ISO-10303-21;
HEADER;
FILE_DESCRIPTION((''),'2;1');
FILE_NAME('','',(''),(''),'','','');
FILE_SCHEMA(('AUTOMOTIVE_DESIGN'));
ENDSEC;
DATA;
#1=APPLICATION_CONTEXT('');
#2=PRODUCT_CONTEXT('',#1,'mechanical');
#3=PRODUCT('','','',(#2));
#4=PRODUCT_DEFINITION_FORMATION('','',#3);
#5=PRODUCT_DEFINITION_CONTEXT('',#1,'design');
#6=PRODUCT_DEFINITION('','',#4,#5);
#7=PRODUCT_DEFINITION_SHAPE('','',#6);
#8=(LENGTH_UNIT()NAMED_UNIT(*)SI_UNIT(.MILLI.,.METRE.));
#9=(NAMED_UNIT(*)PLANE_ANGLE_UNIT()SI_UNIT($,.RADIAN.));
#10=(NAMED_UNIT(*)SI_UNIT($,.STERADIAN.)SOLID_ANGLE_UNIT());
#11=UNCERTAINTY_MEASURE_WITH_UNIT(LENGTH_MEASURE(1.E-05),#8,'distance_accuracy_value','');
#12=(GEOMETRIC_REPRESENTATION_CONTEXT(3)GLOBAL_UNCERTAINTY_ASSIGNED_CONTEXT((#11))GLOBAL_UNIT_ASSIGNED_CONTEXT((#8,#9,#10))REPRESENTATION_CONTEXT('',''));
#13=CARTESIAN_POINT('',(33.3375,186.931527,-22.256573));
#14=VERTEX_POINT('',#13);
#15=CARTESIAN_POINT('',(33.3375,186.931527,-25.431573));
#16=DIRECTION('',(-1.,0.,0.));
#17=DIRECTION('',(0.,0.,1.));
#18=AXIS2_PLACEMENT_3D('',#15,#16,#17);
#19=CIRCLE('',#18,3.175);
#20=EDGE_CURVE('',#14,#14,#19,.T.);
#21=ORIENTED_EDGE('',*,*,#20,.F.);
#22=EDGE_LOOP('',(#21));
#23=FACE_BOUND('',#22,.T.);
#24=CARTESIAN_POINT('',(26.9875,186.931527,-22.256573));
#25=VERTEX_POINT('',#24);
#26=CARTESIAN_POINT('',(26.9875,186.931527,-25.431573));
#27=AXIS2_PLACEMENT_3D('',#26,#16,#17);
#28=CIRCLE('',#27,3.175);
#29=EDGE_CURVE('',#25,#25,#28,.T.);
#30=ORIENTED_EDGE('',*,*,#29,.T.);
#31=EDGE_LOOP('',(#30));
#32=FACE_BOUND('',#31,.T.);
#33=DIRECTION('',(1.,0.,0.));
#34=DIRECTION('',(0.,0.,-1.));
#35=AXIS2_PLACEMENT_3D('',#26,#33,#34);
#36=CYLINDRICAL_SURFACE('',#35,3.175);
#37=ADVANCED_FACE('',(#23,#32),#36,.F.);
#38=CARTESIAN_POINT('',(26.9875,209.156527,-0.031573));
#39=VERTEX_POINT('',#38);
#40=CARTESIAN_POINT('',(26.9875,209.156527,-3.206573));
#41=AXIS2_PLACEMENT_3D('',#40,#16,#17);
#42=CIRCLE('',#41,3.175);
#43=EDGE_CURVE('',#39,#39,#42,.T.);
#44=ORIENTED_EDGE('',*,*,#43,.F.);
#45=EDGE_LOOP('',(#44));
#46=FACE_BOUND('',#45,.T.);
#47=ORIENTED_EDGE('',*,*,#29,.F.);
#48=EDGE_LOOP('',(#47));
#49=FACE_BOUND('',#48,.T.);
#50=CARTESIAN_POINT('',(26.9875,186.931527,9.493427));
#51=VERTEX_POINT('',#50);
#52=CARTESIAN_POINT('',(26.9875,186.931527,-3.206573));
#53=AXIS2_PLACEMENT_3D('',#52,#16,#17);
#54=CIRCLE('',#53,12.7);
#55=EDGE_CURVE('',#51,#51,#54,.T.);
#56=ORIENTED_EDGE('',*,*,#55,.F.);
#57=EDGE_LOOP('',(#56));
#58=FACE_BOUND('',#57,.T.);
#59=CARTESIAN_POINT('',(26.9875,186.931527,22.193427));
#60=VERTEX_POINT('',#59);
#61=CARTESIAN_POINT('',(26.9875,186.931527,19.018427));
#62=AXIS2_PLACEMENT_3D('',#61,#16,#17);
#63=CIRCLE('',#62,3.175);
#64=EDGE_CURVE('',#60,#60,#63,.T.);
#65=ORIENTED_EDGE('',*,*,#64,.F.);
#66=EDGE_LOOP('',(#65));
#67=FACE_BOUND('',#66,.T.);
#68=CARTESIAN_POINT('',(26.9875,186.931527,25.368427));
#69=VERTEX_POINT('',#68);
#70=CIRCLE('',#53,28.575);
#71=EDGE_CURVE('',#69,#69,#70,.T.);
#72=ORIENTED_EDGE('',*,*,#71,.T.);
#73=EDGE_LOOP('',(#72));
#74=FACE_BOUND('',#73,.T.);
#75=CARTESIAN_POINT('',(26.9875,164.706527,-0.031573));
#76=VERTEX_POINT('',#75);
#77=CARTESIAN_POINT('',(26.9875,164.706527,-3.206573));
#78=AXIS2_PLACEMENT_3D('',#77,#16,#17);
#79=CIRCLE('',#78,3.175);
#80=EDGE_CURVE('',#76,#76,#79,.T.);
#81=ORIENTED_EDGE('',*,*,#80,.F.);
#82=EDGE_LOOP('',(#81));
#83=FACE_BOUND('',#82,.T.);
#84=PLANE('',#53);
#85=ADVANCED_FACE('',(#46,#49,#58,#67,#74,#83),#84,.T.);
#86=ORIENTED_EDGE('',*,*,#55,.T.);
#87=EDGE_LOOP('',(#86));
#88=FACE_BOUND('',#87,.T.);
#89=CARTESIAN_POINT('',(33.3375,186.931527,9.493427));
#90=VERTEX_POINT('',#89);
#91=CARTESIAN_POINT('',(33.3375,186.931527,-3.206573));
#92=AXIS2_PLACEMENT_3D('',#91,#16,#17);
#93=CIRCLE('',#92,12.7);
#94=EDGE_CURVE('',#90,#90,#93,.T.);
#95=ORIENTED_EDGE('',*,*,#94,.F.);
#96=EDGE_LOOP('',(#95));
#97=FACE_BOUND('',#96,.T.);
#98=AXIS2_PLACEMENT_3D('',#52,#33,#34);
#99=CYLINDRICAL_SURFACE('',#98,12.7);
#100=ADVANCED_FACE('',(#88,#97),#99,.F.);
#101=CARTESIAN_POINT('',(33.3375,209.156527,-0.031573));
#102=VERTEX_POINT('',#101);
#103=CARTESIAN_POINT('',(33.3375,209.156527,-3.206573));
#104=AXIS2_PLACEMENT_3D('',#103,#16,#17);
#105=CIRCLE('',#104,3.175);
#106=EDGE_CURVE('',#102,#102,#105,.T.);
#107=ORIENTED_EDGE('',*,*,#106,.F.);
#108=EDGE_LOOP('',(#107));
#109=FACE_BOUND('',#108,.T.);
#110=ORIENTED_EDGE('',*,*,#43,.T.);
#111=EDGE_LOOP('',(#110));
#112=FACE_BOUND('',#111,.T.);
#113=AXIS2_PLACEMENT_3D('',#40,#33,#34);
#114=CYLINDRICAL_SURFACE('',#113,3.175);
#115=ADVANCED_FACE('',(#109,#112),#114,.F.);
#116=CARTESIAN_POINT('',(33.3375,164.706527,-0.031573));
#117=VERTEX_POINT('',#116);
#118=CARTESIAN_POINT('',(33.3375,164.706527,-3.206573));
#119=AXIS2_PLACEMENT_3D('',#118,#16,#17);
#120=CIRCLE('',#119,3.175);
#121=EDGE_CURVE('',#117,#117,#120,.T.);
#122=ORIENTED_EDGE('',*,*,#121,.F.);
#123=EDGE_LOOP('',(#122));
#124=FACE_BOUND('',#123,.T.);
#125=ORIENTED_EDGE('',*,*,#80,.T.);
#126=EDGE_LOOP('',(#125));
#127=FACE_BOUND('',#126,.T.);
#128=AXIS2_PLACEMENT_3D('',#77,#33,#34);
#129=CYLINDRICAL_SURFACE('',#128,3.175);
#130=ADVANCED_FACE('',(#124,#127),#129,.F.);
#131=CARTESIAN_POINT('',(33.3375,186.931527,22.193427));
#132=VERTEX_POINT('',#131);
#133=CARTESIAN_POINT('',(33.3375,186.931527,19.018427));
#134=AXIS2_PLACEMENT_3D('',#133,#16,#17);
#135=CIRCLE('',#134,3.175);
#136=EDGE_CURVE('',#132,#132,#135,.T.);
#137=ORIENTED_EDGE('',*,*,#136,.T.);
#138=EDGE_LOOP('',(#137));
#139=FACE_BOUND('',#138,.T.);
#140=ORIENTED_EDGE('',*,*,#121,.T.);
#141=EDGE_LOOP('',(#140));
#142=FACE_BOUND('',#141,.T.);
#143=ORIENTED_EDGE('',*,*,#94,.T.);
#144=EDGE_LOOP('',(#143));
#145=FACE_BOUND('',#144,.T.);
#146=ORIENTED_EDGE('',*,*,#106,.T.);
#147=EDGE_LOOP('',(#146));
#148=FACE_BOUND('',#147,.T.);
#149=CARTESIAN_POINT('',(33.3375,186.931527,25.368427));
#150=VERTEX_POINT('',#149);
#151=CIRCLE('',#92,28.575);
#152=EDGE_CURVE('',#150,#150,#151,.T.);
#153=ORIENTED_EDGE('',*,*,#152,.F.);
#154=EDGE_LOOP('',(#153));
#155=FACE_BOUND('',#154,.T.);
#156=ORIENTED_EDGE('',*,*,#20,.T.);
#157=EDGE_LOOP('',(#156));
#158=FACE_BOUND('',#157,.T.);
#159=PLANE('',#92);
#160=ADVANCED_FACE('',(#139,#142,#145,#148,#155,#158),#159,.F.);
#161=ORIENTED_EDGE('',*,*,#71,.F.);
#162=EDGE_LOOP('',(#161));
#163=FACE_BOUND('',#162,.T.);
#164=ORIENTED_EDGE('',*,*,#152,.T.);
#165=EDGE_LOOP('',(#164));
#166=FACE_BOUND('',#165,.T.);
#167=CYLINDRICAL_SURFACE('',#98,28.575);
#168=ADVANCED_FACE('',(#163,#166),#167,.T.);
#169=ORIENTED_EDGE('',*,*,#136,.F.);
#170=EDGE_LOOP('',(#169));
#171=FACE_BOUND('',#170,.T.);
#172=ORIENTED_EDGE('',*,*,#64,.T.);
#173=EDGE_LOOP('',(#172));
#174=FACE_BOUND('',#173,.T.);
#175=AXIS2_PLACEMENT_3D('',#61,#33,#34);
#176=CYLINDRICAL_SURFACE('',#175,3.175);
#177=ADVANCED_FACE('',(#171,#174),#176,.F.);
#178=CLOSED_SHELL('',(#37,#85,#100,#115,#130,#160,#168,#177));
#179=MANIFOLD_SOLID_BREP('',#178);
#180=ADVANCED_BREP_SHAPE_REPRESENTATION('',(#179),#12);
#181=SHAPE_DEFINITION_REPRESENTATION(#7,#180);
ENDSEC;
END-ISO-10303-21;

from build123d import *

# Parameters (mm, degrees)
SKETCH1_R           = 28.575
SKETCH1_R_2         = 12.7
SKETCH1_R_3         = 3.175
BOSS_EXTRUDE1_DEPTH = 6.35


with BuildPart() as part:
    # Sketch1 → Boss-Extrude1 (new body)
    with BuildSketch(Plane.ZY.offset(-33.3375)):
        with Locations((-3.206573009, 186.931527045)):
            Circle(SKETCH1_R)
        with Locations((-3.206573009, 186.931527045)):
            Circle(SKETCH1_R_2, mode=Mode.SUBTRACT)
        with Locations((19.018426991, 186.931527045)):
            Circle(SKETCH1_R_3, mode=Mode.SUBTRACT)
        with Locations((-3.206573009, 164.706527045)):
            Circle(SKETCH1_R_3, mode=Mode.SUBTRACT)
        with Locations((-25.431573009, 186.931527045)):
            Circle(SKETCH1_R_3, mode=Mode.SUBTRACT)
        with Locations((-3.206573009, 209.156527045)):
            Circle(SKETCH1_R_3, mode=Mode.SUBTRACT)
    extrude(amount=BOSS_EXTRUDE1_DEPTH)


solid = part.part
